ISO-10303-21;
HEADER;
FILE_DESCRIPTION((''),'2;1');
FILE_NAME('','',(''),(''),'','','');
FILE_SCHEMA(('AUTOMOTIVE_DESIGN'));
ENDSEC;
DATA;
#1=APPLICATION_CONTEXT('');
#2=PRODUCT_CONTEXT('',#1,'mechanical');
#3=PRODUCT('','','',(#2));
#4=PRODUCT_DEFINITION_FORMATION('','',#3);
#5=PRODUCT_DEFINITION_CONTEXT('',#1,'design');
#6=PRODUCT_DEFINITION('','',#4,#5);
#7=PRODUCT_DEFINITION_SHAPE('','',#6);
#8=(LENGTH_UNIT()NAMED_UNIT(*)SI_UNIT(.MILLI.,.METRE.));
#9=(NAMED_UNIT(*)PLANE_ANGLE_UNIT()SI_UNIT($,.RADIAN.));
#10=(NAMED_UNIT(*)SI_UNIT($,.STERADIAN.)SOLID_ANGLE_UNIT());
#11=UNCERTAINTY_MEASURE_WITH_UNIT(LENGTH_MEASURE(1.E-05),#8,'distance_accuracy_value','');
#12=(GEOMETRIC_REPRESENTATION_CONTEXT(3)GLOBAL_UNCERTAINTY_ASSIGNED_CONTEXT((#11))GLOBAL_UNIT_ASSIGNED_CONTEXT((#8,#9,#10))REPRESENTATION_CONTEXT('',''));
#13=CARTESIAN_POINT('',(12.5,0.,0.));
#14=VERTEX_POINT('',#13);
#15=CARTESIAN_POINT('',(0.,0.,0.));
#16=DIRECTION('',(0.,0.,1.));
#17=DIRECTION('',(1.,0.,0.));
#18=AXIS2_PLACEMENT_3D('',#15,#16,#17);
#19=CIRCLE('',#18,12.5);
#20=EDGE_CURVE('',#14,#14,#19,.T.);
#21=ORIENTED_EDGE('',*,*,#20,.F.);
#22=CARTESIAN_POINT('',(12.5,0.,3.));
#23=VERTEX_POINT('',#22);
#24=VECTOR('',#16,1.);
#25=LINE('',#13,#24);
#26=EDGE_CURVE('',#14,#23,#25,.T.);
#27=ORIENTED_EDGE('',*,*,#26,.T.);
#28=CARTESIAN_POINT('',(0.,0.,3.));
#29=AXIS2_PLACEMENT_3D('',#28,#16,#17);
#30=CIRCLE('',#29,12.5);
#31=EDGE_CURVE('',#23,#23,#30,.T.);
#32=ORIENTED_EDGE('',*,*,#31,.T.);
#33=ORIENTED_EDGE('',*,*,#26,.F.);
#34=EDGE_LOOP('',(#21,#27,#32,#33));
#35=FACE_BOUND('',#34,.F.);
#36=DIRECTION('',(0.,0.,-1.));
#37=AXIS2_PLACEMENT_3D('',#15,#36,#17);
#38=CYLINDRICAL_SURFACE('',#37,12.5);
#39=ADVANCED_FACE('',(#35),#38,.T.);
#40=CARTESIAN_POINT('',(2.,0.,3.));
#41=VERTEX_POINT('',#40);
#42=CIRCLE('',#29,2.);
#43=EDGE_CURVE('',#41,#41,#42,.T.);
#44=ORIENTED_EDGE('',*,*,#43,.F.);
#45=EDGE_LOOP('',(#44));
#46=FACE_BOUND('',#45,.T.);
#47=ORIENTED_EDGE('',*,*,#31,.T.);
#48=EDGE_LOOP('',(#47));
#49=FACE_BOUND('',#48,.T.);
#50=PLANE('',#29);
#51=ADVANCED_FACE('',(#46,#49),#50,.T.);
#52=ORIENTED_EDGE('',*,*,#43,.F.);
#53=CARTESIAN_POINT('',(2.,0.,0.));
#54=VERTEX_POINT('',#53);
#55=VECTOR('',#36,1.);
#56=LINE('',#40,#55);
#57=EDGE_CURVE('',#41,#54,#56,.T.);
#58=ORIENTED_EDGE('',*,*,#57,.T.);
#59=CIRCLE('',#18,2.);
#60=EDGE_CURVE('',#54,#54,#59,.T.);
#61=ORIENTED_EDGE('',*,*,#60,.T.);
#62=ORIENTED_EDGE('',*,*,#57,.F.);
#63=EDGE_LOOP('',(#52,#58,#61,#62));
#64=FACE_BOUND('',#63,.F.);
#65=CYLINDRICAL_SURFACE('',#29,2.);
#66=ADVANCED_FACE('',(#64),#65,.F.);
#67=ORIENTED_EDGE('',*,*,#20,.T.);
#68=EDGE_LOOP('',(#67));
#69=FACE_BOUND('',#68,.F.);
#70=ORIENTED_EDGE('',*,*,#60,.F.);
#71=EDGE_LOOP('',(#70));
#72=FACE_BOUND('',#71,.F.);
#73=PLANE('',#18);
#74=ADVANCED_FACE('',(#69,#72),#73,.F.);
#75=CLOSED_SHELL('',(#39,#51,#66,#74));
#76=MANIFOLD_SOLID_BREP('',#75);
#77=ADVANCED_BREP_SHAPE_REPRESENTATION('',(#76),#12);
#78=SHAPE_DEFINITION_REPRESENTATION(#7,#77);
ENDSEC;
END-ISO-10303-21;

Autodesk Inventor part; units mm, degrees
ref_plane "YZ Plane" through (0, 0, 0) normal (1, 0, 0) x (0, 1, 0)
ref_plane "XZ Plane" through (0, 0, 0) normal (0, 1, 0) x (-1, 0, 0)
ref_plane "XY Plane" through (0, 0, 0) normal (0, 0, 1) x (1, 0, 0)
sketch "Sketch1" plane through (0, 0, 0) normal (0, 0, 1) x (1, 0, 0)
  circle A0 centre (0, 0) radius 12.5
  dimension "d0" = 25
extrude "Extrusion1" add sketch "Sketch1" along normal blind 3
sketch "Sketch2" plane through (0, 0, 3) normal (0, 0, 1) x (1, 0, 0)
  circle A0 centre (0, 0) radius 12.5 projected
  circle A1 centre (0, 0) radius 2
  dimension "d4" = 4
extrude "Extrusion2" cut sketch "Sketch2" against normal blind 3 contours A1
properties part number "felt pad"
